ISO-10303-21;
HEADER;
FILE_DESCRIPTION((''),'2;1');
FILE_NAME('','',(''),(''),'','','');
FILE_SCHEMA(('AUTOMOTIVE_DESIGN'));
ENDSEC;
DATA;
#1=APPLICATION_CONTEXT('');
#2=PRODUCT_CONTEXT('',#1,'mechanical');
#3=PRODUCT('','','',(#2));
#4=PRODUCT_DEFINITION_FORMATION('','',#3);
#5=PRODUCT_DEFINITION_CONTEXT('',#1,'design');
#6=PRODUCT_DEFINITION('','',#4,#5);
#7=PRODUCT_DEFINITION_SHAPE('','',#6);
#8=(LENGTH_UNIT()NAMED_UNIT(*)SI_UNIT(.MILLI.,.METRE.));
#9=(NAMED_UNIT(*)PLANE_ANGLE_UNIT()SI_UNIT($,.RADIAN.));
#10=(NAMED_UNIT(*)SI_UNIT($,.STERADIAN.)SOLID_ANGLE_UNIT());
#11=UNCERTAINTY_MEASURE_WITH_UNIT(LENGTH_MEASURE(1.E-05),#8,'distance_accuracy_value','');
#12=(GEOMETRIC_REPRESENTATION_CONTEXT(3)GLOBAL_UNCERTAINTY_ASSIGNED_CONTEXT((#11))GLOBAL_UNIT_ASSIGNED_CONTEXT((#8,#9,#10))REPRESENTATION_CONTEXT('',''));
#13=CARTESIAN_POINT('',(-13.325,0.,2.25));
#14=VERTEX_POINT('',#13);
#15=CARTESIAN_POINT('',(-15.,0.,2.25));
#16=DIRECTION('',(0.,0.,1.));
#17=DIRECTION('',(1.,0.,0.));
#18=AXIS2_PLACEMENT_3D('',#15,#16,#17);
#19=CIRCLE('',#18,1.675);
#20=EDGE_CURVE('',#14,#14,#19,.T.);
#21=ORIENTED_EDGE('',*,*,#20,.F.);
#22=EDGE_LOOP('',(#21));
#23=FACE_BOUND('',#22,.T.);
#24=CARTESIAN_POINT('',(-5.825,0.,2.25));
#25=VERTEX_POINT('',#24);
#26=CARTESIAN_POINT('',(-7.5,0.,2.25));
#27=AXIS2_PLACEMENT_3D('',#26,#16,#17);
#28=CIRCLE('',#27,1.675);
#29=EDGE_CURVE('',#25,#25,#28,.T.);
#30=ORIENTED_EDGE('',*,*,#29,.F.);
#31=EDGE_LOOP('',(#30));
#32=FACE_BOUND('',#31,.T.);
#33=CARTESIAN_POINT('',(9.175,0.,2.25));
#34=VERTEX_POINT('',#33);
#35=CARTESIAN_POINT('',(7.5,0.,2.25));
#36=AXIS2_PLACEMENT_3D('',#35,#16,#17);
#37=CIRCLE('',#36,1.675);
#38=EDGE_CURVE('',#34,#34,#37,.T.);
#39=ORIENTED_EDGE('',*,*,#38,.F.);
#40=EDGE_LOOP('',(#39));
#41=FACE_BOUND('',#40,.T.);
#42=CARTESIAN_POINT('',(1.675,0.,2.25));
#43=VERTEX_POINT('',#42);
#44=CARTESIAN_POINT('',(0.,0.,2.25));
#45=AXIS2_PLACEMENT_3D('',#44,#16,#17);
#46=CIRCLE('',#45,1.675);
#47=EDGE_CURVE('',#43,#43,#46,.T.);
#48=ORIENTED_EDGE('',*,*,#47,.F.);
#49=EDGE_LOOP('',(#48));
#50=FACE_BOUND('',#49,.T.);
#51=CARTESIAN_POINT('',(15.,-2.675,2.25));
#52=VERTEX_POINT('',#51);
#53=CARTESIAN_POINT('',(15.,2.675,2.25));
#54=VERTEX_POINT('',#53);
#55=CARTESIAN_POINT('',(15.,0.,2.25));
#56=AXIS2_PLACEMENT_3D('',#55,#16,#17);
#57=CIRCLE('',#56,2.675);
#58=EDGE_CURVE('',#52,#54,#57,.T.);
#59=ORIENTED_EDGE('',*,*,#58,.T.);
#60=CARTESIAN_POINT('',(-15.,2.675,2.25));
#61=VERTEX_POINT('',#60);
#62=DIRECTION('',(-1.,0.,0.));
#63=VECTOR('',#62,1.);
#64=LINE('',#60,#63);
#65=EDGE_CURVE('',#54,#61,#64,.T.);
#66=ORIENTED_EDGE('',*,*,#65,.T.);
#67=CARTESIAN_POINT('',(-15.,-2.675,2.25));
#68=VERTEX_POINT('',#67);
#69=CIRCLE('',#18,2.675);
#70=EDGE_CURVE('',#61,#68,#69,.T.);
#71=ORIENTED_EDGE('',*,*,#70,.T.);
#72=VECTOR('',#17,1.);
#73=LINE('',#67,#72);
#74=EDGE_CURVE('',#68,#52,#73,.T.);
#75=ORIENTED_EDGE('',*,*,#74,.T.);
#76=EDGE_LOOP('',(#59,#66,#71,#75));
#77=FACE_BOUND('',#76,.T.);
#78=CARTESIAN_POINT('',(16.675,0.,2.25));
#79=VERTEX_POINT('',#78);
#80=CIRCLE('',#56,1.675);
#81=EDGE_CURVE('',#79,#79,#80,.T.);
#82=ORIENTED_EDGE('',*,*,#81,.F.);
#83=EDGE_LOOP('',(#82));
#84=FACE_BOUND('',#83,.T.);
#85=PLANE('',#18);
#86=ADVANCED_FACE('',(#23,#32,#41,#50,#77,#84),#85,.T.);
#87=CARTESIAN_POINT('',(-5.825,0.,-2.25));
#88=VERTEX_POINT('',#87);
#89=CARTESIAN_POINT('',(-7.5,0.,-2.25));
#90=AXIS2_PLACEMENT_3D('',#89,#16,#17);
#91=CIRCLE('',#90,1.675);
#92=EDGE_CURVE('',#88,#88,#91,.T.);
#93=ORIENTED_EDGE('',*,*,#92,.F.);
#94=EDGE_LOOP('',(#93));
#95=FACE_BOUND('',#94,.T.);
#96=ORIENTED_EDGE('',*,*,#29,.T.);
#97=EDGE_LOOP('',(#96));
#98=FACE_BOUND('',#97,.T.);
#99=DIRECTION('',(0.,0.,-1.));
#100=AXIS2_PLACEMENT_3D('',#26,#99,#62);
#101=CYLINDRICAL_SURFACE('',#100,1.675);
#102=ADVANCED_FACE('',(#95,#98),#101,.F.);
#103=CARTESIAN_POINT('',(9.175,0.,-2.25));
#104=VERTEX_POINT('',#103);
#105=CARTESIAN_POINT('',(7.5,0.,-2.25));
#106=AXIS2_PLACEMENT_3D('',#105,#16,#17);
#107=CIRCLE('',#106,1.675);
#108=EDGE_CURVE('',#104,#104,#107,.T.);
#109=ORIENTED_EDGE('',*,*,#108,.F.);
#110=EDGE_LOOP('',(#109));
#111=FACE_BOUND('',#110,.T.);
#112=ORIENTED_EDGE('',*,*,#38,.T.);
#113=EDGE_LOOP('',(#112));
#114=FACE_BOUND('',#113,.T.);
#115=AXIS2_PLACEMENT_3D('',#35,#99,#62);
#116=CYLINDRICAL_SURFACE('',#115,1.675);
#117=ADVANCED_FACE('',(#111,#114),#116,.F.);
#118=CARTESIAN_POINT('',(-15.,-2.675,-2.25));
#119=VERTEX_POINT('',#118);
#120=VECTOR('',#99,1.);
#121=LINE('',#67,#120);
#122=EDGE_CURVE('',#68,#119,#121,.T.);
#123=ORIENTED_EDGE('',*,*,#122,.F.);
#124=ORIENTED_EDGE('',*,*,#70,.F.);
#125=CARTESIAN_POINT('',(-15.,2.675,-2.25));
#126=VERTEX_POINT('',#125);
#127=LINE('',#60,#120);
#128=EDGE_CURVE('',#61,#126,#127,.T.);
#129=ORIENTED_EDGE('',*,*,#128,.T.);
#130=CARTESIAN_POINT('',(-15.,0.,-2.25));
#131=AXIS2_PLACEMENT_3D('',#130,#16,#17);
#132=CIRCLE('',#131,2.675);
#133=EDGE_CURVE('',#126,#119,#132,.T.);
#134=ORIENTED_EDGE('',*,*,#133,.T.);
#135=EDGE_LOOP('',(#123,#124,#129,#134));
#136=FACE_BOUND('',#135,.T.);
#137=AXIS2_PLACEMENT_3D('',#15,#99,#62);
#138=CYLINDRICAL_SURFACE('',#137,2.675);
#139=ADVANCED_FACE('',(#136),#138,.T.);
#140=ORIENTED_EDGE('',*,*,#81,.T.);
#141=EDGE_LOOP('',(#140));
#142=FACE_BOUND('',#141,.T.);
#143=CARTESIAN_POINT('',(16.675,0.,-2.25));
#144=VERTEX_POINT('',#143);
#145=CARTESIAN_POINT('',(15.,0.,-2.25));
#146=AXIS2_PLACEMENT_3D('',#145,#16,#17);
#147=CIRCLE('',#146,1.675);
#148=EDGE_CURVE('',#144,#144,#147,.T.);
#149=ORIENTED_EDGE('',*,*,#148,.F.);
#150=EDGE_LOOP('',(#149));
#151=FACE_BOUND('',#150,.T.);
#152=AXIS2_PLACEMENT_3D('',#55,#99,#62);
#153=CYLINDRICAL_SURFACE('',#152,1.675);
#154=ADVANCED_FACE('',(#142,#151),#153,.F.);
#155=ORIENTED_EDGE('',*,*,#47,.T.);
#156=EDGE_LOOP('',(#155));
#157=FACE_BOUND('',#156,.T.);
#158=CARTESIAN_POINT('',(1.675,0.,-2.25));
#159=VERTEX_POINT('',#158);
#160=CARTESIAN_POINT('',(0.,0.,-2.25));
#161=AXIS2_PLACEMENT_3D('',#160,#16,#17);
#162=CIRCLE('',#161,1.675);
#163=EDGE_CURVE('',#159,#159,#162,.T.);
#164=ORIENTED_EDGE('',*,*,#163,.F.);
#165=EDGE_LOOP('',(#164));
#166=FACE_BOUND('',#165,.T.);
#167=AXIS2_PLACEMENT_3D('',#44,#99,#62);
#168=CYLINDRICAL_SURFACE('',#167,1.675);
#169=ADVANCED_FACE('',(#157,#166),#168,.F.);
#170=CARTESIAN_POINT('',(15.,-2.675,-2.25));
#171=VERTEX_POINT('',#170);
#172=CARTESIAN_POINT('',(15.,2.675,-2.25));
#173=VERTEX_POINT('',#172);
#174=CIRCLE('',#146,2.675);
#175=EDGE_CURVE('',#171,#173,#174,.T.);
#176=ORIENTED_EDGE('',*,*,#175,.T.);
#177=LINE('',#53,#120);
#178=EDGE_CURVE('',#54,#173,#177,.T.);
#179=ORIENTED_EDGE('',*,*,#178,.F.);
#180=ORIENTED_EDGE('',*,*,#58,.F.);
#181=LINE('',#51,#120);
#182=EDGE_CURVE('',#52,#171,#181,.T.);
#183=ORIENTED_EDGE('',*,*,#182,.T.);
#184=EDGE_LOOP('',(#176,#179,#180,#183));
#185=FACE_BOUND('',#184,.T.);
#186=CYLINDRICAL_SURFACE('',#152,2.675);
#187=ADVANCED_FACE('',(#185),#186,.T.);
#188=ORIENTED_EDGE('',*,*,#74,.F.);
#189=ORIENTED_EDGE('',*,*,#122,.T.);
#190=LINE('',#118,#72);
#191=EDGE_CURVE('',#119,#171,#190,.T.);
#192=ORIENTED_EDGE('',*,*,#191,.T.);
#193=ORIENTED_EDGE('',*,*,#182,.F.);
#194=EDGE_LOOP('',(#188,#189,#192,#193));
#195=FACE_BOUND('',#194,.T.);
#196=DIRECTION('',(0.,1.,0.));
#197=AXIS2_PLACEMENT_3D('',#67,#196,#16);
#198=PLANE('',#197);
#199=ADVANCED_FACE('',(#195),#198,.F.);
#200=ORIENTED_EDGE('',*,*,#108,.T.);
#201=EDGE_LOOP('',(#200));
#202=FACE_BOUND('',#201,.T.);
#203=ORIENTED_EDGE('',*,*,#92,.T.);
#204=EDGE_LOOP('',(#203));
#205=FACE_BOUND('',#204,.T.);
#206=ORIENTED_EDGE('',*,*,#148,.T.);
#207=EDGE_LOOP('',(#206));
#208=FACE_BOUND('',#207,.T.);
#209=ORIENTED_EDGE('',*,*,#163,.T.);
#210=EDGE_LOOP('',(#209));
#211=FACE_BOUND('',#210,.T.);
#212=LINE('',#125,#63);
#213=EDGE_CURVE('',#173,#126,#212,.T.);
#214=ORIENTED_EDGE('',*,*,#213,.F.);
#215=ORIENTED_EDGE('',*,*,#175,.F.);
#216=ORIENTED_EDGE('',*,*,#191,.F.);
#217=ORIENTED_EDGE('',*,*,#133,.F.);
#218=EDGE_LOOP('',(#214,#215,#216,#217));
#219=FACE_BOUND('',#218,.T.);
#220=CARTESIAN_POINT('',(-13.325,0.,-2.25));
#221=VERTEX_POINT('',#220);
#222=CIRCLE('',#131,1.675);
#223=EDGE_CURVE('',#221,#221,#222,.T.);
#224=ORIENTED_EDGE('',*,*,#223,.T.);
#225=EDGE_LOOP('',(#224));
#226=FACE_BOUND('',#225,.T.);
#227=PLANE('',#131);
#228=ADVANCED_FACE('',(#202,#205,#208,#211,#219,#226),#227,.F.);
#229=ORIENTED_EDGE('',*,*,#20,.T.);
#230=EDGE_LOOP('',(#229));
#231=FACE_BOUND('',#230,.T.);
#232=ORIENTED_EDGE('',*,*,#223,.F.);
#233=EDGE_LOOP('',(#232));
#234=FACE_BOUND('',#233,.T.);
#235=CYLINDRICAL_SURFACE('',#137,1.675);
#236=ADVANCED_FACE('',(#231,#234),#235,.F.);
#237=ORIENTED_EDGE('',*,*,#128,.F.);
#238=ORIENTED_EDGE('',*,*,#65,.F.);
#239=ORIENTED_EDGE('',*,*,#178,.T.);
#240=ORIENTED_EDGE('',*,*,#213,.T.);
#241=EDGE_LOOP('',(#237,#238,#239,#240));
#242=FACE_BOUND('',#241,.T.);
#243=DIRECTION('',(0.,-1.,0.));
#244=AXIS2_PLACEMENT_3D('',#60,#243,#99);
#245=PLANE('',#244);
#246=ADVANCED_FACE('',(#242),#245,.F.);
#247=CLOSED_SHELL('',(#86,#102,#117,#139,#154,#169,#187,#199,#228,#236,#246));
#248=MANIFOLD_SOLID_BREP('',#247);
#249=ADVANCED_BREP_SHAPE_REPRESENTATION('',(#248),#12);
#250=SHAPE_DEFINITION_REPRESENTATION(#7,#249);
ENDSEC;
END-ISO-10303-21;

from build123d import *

# Parameters (mm, degrees)
SKETCH1_R           = 1.675
BOSS_EXTRUDE1_DEPTH = 2.25


with BuildPart() as part:
    # Sketch1 → Boss-Extrude1 (new body, symmetric)
    with BuildSketch(Plane.XY):
        with BuildLine():
            Line((-15, 2.675), (15, 2.675))
            ThreePointArc((15, 2.675), (17.675, 0), (15, -2.675))
            Line((15, -2.675), (-15, -2.675))
            ThreePointArc((-15, -2.675), (-17.675, 0), (-15, 2.675))
        make_face()
        with Locations((-15, 0)):
            Circle(SKETCH1_R, mode=Mode.SUBTRACT)
        with Locations((-7.5, 0)):
            Circle(SKETCH1_R, mode=Mode.SUBTRACT)
        Circle(SKETCH1_R, mode=Mode.SUBTRACT)
        with Locations((7.5, 0)):
            Circle(SKETCH1_R, mode=Mode.SUBTRACT)
        with Locations((15, 0)):
            Circle(SKETCH1_R, mode=Mode.SUBTRACT)
    extrude(amount=BOSS_EXTRUDE1_DEPTH, both=True)


solid = part.part
